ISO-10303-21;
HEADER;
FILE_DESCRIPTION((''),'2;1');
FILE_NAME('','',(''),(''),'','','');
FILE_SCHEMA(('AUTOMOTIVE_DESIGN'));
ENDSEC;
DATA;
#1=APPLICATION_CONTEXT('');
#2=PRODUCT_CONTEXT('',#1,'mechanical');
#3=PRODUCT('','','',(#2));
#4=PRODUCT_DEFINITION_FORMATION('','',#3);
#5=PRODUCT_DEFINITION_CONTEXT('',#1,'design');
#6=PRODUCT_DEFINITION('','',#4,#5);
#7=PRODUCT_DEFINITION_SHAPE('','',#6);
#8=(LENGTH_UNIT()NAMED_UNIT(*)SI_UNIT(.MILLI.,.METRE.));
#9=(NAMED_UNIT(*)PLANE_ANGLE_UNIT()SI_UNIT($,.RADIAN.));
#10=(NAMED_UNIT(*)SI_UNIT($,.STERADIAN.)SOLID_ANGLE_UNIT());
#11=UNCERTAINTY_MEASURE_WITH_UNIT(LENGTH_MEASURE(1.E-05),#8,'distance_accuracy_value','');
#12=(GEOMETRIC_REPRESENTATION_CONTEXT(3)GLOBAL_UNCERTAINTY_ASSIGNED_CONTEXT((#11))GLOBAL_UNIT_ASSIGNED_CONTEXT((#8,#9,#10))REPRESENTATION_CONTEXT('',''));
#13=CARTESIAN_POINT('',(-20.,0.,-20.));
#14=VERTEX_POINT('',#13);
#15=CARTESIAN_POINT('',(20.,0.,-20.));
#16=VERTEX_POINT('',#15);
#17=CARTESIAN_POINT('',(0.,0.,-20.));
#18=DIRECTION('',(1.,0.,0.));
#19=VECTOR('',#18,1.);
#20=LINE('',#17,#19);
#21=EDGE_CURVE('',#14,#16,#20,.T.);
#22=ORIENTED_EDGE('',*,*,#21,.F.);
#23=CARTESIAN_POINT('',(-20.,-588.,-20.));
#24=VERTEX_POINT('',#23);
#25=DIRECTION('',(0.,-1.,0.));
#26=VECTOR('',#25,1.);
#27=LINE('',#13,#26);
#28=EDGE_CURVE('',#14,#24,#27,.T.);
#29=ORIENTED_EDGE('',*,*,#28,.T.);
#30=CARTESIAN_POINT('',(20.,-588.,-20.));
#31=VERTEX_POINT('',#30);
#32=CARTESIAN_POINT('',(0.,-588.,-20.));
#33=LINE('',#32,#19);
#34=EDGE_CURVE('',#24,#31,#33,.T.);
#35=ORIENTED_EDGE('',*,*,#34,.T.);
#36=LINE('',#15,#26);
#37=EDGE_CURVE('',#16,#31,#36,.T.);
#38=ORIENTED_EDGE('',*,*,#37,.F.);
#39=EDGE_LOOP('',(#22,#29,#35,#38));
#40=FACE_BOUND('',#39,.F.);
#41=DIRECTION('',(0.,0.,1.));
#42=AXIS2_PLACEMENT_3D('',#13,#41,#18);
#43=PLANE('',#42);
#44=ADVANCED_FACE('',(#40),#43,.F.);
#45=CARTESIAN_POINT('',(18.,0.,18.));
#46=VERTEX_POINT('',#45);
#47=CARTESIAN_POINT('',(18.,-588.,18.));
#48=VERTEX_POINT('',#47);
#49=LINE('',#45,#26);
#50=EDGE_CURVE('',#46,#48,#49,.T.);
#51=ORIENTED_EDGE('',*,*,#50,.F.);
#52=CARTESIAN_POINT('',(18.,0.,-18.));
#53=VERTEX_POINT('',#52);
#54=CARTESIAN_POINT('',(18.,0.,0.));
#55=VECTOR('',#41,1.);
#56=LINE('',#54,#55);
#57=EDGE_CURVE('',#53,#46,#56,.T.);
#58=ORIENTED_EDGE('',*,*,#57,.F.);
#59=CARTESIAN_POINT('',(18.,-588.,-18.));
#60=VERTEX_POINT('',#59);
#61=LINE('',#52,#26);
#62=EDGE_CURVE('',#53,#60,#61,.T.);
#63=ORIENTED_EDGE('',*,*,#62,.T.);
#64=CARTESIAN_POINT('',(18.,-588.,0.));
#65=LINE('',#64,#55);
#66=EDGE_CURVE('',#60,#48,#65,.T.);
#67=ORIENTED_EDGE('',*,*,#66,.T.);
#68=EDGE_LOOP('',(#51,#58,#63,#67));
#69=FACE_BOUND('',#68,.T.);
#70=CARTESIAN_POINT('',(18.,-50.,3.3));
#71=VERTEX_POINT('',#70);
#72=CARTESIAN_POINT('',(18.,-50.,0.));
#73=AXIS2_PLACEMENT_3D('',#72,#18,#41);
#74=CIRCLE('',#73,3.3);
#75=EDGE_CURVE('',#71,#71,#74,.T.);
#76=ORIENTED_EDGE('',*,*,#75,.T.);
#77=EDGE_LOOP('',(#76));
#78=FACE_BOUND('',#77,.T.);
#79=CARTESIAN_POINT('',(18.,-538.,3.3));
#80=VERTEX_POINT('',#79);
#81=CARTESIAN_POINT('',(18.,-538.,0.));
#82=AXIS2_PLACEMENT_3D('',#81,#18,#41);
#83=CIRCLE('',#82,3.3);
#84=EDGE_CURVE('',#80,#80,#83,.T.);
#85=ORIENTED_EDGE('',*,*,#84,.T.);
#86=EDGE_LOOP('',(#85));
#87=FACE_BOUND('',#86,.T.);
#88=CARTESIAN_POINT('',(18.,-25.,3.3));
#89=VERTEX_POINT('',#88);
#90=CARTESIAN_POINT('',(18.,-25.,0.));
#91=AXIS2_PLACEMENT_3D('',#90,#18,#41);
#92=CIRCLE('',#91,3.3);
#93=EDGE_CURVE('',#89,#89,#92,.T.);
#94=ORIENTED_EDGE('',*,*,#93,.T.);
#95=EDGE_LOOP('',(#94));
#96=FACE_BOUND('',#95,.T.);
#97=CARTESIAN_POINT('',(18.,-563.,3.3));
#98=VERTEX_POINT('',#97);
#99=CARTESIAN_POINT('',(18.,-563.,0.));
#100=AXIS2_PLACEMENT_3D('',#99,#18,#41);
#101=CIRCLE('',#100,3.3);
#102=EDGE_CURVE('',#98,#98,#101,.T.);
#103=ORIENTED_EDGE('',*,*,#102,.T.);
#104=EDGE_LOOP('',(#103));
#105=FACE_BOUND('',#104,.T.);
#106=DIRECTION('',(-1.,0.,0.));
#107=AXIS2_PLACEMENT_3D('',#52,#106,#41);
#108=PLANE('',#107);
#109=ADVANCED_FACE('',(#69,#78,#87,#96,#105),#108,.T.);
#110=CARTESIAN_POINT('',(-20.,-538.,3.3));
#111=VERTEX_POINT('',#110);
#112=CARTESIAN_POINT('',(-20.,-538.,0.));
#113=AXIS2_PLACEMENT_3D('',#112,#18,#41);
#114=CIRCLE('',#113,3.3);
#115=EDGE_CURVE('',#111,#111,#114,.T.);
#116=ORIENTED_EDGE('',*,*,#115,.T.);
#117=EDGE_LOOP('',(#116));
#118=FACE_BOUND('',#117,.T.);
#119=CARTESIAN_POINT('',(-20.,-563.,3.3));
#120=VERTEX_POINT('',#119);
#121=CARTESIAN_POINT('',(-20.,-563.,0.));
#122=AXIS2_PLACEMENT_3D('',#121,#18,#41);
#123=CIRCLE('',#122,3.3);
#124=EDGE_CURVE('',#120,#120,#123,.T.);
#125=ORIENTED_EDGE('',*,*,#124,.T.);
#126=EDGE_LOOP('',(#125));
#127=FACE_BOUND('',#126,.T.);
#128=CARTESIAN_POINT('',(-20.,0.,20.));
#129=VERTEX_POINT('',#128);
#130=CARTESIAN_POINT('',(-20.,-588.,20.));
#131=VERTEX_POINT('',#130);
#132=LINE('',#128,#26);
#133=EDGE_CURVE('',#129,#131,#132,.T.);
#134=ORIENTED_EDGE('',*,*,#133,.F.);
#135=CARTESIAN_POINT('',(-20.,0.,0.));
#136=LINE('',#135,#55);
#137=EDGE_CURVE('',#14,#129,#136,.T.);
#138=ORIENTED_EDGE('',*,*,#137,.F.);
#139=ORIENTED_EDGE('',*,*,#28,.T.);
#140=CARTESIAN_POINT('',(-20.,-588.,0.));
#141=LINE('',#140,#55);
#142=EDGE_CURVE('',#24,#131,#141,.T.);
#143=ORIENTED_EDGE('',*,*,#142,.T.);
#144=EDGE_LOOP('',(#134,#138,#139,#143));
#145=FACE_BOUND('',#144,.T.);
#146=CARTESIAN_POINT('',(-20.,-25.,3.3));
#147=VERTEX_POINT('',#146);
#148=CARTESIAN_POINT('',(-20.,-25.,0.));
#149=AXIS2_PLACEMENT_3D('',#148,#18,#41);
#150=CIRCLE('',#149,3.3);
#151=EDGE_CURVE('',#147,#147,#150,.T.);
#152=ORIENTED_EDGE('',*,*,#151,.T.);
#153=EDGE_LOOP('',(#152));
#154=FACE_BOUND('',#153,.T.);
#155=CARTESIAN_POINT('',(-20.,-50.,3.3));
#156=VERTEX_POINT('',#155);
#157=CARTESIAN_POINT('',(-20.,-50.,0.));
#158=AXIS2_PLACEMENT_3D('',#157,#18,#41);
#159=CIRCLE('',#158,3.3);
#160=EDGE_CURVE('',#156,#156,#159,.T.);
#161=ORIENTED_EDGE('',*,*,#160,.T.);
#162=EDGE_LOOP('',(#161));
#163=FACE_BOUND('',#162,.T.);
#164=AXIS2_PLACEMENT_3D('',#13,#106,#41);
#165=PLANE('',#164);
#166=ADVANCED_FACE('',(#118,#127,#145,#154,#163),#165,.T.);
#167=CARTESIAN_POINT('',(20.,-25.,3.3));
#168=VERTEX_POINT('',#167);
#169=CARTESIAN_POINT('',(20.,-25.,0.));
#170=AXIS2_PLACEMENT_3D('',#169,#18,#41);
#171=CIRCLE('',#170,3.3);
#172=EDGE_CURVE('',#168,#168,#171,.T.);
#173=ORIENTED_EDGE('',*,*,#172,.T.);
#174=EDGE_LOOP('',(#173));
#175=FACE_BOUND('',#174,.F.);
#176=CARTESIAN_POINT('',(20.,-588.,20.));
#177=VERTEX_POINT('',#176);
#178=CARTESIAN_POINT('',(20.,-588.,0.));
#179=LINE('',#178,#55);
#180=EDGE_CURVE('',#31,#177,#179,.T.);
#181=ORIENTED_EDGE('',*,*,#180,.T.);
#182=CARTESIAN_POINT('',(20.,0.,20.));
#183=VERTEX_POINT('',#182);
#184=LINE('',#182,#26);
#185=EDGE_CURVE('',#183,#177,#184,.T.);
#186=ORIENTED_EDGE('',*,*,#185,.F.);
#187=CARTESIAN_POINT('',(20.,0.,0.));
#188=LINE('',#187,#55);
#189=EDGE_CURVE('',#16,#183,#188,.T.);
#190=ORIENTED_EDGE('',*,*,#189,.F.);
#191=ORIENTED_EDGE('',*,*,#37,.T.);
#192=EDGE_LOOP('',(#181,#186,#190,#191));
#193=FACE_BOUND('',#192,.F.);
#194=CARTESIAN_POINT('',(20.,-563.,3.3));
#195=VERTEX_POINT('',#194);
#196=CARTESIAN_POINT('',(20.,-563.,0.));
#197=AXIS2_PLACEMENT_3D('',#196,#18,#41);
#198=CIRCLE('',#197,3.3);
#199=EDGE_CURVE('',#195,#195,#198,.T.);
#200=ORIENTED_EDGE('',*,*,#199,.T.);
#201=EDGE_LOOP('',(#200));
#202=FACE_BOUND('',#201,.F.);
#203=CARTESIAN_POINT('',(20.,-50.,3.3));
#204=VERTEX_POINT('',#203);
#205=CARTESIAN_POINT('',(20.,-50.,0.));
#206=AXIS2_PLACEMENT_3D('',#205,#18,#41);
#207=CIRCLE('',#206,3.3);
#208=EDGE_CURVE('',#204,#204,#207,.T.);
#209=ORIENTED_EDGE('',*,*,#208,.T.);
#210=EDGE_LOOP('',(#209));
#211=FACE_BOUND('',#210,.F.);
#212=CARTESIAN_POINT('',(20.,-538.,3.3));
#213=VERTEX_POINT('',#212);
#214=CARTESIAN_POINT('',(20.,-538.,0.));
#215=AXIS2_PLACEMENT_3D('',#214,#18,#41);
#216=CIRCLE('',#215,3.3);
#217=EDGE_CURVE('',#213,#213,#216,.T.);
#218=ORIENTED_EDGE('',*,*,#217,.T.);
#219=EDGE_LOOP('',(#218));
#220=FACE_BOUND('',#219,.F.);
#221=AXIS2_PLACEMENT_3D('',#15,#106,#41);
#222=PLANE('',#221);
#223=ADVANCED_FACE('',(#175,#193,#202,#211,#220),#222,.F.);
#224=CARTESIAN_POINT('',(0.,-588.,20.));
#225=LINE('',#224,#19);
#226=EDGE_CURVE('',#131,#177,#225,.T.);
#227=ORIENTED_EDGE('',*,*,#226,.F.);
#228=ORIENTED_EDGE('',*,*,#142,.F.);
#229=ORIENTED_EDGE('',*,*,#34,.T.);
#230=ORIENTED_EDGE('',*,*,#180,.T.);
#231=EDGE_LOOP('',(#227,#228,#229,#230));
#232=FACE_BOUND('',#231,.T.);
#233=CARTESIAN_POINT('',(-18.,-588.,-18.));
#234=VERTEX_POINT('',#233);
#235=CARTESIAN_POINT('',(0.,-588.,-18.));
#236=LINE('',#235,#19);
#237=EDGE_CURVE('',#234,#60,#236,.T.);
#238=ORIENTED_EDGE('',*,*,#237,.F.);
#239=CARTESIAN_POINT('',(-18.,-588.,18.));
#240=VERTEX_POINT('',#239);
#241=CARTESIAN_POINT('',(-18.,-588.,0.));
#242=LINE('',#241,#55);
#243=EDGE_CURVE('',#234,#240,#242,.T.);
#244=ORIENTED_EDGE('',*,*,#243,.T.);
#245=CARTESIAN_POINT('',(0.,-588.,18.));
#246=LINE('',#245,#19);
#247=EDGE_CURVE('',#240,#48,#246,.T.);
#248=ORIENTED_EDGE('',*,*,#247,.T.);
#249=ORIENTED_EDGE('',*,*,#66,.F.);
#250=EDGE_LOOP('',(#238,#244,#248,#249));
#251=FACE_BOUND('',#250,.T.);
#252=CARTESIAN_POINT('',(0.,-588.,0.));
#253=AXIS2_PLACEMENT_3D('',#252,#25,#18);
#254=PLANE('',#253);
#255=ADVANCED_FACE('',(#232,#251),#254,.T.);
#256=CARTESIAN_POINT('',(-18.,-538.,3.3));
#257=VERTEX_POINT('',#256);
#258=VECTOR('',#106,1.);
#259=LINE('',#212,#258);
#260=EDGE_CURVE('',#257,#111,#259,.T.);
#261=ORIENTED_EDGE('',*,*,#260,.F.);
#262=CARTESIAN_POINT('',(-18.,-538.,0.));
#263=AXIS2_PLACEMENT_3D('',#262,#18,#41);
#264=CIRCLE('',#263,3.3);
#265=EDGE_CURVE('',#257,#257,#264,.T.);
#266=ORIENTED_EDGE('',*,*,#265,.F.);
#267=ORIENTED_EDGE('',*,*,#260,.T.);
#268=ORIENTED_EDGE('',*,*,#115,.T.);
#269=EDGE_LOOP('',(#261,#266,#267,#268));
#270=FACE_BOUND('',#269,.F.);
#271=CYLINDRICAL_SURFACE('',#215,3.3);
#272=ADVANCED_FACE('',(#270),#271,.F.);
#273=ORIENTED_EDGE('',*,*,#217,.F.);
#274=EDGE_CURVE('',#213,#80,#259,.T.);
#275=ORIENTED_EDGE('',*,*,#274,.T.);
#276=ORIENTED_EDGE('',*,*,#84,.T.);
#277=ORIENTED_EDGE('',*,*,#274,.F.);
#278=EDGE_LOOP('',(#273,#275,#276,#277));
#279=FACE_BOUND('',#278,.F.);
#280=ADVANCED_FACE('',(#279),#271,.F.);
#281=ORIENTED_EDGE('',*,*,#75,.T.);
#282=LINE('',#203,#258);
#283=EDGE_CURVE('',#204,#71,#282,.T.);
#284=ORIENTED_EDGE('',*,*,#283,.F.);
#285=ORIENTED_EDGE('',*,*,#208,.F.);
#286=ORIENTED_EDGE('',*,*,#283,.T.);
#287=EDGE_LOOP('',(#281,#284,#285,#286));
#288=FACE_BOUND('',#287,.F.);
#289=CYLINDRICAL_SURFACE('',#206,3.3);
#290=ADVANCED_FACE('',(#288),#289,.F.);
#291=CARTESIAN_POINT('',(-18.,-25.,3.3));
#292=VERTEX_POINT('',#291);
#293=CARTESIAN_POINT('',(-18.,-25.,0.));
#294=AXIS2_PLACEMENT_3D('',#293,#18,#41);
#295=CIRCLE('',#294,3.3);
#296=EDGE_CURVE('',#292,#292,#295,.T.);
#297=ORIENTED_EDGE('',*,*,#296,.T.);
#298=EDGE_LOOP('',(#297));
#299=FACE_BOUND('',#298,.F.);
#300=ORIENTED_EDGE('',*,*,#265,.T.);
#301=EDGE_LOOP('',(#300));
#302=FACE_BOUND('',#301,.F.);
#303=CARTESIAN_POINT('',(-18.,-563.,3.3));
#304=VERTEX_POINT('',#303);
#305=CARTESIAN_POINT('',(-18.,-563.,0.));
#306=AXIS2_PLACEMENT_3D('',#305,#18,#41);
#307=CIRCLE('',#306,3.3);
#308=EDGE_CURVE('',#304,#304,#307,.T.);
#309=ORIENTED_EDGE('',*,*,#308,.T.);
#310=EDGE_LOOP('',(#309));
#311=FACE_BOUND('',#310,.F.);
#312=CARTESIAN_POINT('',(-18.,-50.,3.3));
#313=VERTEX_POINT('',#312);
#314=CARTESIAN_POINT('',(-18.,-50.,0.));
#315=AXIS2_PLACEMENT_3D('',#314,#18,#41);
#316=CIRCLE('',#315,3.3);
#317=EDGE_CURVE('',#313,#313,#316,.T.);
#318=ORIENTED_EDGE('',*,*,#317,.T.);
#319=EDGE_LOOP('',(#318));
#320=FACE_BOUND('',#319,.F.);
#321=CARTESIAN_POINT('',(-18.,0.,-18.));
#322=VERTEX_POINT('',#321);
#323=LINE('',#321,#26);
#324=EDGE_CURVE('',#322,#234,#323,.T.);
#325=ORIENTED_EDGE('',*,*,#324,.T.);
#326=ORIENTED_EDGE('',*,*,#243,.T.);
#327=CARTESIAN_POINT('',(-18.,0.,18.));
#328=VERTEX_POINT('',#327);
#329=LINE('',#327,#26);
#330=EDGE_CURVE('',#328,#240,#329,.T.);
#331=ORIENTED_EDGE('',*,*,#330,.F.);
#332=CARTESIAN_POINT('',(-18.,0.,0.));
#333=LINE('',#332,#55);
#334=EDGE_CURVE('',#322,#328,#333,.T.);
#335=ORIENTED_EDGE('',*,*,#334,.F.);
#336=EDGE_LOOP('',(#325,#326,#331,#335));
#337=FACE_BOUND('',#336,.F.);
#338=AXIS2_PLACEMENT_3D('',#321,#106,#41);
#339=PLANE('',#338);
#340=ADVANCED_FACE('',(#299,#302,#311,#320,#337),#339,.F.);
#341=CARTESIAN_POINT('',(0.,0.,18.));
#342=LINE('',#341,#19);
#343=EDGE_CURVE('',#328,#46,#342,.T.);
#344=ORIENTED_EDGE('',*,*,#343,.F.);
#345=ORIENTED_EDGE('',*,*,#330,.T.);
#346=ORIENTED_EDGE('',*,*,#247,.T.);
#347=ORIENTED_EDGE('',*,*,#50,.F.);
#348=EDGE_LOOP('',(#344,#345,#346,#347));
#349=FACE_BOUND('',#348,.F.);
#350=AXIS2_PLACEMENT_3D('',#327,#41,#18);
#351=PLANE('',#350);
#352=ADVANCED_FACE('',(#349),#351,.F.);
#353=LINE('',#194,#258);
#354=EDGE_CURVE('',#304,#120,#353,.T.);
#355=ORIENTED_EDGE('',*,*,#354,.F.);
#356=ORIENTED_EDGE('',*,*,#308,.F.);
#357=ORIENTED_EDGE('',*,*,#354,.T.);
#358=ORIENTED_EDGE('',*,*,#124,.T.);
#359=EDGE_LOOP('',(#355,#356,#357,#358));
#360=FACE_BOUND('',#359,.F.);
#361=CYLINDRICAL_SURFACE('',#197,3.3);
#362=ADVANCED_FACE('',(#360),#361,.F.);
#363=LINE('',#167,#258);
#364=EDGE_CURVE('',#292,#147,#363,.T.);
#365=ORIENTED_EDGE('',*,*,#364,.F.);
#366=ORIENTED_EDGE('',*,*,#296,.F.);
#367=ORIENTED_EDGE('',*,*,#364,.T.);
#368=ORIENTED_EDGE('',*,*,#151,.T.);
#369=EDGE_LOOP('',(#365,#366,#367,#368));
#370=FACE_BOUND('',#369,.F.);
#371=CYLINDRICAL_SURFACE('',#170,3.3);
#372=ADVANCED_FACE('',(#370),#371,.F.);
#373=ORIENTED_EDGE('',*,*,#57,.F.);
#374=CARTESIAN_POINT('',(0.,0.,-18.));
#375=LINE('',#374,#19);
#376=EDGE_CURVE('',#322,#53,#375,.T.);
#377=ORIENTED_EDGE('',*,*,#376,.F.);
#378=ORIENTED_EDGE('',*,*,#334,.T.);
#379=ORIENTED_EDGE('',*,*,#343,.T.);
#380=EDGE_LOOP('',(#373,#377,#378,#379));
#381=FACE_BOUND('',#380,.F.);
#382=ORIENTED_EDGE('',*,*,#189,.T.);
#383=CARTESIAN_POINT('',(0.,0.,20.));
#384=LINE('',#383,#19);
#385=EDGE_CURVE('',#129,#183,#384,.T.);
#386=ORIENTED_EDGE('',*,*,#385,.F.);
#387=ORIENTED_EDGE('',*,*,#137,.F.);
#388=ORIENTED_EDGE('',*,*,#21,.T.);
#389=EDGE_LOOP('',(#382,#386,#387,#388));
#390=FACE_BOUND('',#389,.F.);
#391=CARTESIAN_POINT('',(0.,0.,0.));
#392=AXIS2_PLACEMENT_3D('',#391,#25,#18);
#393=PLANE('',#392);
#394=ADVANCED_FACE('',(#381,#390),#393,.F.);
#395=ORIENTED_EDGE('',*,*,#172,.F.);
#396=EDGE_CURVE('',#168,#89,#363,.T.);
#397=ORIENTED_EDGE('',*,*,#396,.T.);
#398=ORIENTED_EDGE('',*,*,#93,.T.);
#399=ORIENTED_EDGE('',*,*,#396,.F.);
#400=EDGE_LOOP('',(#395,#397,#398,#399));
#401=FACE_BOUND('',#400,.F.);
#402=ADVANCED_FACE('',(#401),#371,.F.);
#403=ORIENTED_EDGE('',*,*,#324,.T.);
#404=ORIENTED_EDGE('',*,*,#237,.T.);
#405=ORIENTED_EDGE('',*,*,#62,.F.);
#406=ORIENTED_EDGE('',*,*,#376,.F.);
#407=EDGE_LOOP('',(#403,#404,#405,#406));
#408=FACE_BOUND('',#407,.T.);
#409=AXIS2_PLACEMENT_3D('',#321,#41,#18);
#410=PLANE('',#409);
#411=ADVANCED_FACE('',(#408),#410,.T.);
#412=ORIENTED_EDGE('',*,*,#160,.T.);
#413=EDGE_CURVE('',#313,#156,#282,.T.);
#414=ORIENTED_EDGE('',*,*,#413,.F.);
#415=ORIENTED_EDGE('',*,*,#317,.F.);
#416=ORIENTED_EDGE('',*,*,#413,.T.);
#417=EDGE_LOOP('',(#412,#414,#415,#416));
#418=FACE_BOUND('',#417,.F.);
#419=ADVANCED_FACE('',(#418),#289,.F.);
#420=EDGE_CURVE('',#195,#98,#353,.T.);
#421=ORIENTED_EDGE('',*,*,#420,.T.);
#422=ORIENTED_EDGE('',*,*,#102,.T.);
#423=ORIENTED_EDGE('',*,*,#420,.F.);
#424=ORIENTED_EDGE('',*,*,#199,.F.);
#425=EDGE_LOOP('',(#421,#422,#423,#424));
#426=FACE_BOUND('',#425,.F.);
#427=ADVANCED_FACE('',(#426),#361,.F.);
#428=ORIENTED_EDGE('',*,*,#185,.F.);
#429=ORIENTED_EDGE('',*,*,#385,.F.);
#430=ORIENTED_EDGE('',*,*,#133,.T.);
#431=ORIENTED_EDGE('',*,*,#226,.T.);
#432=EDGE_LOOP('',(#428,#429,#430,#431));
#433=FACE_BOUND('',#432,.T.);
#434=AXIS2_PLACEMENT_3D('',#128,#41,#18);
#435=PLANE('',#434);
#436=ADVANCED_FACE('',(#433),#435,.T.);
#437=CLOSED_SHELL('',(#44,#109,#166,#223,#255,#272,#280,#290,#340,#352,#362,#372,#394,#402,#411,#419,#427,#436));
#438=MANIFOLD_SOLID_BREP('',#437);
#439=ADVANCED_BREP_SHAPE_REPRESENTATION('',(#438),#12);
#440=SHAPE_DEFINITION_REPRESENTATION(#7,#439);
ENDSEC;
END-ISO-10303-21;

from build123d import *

# Parameters (mm, degrees)
SKETCH_W    = 40
SKETCH_H    = 40
SKETCH_W_2  = 36
SKETCH_H_2  = 36
PAD_DEPTH   = 588
SKETCH001_R = 3.3
HOLE_DEPTH  = 40.001


with BuildPart() as part:
    # Sketch → Pad (new body)
    with BuildSketch(Plane.XZ):
        Rectangle(SKETCH_W, SKETCH_H)
        Rectangle(SKETCH_W_2, SKETCH_H_2, mode=Mode.SUBTRACT)
    extrude(amount=PAD_DEPTH)

    # Sketch001 → Hole (cut, through all)
    with BuildSketch(Plane(origin=(20, 0, 0), x_dir=(0, 0, 1), z_dir=(1, 0, 0))):
        with Locations((0, 25)):
            Circle(SKETCH001_R)
        with Locations((0, 50)):
            Circle(SKETCH001_R)
        with Locations((0, 563)):
            Circle(SKETCH001_R)
        with Locations((0, 538)):
            Circle(SKETCH001_R)
    extrude(amount=-HOLE_DEPTH, mode=Mode.SUBTRACT)


solid = part.part
